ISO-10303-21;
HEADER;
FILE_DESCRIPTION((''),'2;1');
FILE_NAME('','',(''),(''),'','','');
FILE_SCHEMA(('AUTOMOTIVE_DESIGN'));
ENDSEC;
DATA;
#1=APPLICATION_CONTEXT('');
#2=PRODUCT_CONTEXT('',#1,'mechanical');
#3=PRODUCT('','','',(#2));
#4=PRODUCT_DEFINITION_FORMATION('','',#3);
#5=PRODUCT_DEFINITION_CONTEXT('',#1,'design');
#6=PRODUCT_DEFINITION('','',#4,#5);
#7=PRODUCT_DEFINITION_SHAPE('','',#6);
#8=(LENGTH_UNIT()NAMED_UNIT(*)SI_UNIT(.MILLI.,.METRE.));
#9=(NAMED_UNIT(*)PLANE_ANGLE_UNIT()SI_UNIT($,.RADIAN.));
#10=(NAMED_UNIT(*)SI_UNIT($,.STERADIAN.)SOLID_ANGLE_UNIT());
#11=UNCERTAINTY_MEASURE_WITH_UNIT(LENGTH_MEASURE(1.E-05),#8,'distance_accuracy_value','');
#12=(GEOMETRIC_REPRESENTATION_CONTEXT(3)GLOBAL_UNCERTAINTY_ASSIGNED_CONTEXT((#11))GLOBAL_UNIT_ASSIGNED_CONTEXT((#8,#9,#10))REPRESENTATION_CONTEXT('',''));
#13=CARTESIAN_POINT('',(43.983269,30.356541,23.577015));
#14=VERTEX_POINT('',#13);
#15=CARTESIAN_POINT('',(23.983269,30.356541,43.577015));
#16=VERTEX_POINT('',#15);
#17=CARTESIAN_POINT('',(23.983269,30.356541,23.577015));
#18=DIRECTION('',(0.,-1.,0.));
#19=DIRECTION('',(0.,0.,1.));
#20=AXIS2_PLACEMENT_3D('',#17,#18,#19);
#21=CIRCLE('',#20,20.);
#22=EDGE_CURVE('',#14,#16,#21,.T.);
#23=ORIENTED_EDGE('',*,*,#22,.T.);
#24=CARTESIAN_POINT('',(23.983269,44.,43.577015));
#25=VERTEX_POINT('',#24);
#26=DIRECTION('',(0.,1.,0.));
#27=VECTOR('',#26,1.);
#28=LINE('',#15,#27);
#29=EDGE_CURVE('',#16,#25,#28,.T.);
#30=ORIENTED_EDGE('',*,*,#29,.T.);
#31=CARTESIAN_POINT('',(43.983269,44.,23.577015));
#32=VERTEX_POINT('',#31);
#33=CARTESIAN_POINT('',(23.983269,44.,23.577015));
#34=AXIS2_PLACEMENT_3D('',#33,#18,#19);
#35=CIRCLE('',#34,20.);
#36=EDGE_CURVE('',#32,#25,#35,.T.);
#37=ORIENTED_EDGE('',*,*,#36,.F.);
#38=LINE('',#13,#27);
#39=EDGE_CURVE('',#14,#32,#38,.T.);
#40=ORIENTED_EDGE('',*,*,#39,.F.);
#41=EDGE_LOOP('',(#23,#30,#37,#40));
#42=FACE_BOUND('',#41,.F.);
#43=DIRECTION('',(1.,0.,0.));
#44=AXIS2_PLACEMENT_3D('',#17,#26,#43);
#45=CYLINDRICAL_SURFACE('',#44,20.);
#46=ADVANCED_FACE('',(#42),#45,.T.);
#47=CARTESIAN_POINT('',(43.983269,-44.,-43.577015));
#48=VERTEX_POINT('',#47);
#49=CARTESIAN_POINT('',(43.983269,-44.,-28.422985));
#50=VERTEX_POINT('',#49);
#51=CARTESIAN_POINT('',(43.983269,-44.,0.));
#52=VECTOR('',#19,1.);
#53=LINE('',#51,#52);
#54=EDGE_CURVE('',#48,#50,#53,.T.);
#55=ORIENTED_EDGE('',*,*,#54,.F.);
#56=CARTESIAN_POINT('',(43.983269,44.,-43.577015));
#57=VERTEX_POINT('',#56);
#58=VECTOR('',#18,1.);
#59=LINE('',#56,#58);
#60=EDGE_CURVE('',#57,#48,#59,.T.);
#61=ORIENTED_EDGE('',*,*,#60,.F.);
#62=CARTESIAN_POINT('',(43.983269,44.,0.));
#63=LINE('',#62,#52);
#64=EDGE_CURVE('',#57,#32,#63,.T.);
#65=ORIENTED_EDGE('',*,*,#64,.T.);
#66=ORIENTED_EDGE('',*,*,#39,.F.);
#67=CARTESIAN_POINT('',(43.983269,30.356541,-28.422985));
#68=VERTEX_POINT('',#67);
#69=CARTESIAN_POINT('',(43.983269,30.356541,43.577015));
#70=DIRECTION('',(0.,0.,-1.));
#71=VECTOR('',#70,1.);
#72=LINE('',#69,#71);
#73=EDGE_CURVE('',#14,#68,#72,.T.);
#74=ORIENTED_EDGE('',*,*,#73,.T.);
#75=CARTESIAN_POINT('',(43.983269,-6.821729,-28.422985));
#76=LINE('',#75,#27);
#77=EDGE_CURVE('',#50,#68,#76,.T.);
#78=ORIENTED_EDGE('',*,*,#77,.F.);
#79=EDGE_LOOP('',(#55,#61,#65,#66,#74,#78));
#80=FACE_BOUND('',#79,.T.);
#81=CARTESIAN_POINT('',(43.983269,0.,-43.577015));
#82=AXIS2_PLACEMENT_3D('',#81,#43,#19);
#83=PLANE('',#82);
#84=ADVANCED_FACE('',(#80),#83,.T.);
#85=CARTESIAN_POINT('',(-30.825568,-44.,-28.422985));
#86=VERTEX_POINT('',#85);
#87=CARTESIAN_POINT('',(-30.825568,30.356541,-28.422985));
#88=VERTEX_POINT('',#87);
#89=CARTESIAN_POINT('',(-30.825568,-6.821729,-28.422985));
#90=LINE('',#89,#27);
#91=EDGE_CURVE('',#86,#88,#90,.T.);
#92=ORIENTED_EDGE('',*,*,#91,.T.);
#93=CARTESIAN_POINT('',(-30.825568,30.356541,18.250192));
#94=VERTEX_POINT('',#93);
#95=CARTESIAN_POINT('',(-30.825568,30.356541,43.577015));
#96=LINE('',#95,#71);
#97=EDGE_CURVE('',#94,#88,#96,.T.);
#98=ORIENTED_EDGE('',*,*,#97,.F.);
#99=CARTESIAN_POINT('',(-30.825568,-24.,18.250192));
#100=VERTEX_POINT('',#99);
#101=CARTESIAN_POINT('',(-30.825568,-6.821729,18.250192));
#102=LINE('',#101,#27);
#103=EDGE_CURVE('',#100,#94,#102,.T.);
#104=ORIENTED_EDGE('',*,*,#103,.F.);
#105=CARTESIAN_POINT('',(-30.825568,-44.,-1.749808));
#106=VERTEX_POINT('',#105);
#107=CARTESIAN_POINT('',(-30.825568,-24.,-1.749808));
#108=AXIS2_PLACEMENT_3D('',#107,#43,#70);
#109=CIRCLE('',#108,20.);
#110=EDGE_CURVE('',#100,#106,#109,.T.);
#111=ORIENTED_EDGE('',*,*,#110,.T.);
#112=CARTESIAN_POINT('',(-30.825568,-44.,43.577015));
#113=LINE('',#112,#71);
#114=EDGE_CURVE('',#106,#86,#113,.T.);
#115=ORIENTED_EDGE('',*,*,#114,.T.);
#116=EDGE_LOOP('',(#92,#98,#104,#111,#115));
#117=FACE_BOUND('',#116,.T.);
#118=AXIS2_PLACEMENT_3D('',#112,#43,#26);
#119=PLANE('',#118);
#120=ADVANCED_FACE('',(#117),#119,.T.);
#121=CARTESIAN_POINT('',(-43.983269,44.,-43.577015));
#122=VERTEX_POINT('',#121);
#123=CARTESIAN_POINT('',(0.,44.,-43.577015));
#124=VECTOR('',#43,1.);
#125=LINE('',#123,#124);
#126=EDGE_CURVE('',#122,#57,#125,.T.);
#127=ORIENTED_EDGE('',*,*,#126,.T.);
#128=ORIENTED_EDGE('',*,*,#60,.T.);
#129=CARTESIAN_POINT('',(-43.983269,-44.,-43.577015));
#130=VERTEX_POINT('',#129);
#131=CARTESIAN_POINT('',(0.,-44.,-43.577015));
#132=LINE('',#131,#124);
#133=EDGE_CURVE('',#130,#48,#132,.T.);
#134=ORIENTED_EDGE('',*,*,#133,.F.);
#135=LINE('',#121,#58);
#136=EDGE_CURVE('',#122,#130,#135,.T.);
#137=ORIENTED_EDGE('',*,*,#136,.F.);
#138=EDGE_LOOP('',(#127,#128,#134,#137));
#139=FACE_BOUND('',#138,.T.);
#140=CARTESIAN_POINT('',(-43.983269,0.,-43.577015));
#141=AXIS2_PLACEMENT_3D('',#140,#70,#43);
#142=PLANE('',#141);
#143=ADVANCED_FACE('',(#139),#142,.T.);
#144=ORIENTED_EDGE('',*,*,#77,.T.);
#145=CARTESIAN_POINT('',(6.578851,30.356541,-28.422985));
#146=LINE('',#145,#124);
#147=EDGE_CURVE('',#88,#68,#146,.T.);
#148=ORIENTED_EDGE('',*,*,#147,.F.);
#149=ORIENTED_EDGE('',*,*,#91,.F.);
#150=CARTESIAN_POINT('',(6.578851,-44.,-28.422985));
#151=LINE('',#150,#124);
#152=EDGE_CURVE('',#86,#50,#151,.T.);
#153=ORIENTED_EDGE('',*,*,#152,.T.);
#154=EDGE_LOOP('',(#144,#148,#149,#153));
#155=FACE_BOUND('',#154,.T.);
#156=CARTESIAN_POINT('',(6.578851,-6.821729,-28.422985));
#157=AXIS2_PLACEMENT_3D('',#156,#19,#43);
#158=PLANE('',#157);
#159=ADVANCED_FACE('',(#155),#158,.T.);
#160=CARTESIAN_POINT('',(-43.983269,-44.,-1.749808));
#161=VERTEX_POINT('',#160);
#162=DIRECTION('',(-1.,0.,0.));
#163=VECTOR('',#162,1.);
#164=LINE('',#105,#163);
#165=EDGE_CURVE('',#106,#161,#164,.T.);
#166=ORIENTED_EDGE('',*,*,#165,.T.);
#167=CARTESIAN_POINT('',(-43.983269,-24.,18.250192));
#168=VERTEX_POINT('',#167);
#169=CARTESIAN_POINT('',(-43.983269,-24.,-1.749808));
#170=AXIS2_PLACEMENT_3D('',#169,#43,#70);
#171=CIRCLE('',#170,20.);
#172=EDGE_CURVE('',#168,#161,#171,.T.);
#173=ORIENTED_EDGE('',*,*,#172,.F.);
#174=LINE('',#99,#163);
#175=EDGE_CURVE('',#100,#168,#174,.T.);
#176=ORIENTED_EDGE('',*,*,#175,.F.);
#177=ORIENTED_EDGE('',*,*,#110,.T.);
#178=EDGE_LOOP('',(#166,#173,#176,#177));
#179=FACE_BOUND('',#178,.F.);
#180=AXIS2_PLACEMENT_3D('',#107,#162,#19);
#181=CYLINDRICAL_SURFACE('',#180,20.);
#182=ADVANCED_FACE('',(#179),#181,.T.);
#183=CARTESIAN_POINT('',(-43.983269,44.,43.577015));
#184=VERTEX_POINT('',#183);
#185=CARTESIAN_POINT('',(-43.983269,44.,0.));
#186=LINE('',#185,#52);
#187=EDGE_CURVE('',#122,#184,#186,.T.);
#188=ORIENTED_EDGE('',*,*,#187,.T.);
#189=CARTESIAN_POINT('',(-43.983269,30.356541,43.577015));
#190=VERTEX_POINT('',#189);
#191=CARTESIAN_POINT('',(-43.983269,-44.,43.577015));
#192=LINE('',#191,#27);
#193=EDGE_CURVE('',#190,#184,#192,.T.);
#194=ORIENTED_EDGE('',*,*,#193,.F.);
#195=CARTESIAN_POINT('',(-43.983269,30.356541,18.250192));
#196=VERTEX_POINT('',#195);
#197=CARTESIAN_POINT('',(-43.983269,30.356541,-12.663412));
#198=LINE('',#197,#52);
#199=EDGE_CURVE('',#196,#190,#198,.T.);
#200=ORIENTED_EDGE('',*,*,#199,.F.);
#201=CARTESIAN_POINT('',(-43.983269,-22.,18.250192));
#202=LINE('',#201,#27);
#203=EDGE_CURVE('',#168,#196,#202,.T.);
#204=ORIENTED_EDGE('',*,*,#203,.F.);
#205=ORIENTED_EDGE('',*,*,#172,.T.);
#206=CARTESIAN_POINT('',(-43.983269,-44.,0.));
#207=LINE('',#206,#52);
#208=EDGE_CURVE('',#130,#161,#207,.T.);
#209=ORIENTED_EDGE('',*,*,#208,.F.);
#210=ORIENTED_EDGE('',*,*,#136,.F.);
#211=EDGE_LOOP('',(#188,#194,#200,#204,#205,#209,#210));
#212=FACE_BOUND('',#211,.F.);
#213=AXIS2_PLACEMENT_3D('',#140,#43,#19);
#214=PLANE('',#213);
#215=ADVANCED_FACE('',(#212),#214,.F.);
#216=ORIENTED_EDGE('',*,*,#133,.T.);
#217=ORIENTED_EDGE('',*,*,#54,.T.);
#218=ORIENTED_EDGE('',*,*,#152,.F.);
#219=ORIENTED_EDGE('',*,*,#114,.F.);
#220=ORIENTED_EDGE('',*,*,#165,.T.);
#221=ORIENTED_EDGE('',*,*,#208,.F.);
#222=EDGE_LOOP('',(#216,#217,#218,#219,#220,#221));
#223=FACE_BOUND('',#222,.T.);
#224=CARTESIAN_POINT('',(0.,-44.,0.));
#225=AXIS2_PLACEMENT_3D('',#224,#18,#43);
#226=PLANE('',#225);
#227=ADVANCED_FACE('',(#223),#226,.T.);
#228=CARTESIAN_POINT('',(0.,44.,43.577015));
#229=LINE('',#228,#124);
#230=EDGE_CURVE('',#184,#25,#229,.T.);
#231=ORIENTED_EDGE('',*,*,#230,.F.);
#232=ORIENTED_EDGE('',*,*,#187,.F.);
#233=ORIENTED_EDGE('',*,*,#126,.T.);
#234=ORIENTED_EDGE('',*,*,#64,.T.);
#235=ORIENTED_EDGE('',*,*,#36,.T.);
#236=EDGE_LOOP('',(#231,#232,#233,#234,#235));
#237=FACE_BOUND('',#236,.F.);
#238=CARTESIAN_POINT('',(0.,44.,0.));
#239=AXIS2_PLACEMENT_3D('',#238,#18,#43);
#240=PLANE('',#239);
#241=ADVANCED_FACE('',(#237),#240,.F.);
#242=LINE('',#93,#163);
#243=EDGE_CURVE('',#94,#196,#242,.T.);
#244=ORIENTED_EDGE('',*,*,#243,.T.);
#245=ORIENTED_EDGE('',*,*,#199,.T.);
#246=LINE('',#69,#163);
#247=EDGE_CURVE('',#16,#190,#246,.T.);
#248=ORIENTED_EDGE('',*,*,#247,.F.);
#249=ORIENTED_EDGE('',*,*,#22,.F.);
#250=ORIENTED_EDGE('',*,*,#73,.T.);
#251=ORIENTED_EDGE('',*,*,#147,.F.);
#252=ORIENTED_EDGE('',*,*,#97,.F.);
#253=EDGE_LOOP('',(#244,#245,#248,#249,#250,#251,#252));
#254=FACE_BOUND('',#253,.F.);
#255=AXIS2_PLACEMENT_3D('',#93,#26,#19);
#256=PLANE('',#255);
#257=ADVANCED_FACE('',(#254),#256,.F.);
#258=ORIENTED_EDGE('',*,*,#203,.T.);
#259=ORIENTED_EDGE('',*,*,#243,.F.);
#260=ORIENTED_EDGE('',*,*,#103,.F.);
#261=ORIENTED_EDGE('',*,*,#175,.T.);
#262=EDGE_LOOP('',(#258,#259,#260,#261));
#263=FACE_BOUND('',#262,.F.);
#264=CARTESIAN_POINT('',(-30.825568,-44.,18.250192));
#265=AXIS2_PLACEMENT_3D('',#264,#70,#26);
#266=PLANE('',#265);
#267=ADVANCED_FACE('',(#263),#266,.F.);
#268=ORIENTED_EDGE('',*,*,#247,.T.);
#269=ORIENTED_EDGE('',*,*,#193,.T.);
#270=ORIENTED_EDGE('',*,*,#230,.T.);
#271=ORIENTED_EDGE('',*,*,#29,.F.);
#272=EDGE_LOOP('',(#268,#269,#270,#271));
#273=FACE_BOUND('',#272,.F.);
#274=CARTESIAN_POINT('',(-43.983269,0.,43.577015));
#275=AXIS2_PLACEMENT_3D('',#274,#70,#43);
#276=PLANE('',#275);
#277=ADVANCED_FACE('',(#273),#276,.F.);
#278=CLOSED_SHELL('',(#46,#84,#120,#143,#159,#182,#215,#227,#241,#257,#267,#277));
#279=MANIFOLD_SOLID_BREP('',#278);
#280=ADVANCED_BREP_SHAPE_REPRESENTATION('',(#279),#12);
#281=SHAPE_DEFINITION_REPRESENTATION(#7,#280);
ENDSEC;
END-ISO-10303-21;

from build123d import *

# Parameters (mm, degrees)
F0_W     = 87.9665389657
F0_H     = 87.1540307999
F1_DEPTH = 44
F2_W     = 74.8088378459
F2_H     = 74.356541276
F3_DEPTH = 72
F4_W     = 74.356541276
F4_H     = 25.3268238157
F5_DEPTH = 13.1587011198
F6_R     = 20


with BuildPart() as f1:
    # F0 (on Front) → F1 (new body, symmetric)
    with BuildSketch(Plane.XZ):
        Rectangle(F0_W, F0_H)
    extrude(amount=F1_DEPTH, both=True)

    # F2 (on face) → F3 (cut)
    with BuildSketch(Plane.XY.offset(43.5770153999)):
        with Locations((6.5788505599, -6.821729362)):
            Rectangle(F2_W, F2_H)
    extrude(amount=-F3_DEPTH, mode=Mode.SUBTRACT)

    # F4 (on face) → F5 (cut, through all)
    with BuildSketch(Plane.YZ.offset(-30.8255683631)):
        with Locations((-6.821729362, 30.9136034921)):
            Rectangle(F4_W, F4_H)
    extrude(amount=-F5_DEPTH, mode=Mode.SUBTRACT)

    # F6
    f6_edges = [f1.edges().sort_by_distance(p)[0] for p in [
        (43.983269, 37.178271, 43.577015),
        (-37.404419, -44, 18.250192),
    ]]
    fillet(f6_edges, radius=F6_R)


solid = f1.part
